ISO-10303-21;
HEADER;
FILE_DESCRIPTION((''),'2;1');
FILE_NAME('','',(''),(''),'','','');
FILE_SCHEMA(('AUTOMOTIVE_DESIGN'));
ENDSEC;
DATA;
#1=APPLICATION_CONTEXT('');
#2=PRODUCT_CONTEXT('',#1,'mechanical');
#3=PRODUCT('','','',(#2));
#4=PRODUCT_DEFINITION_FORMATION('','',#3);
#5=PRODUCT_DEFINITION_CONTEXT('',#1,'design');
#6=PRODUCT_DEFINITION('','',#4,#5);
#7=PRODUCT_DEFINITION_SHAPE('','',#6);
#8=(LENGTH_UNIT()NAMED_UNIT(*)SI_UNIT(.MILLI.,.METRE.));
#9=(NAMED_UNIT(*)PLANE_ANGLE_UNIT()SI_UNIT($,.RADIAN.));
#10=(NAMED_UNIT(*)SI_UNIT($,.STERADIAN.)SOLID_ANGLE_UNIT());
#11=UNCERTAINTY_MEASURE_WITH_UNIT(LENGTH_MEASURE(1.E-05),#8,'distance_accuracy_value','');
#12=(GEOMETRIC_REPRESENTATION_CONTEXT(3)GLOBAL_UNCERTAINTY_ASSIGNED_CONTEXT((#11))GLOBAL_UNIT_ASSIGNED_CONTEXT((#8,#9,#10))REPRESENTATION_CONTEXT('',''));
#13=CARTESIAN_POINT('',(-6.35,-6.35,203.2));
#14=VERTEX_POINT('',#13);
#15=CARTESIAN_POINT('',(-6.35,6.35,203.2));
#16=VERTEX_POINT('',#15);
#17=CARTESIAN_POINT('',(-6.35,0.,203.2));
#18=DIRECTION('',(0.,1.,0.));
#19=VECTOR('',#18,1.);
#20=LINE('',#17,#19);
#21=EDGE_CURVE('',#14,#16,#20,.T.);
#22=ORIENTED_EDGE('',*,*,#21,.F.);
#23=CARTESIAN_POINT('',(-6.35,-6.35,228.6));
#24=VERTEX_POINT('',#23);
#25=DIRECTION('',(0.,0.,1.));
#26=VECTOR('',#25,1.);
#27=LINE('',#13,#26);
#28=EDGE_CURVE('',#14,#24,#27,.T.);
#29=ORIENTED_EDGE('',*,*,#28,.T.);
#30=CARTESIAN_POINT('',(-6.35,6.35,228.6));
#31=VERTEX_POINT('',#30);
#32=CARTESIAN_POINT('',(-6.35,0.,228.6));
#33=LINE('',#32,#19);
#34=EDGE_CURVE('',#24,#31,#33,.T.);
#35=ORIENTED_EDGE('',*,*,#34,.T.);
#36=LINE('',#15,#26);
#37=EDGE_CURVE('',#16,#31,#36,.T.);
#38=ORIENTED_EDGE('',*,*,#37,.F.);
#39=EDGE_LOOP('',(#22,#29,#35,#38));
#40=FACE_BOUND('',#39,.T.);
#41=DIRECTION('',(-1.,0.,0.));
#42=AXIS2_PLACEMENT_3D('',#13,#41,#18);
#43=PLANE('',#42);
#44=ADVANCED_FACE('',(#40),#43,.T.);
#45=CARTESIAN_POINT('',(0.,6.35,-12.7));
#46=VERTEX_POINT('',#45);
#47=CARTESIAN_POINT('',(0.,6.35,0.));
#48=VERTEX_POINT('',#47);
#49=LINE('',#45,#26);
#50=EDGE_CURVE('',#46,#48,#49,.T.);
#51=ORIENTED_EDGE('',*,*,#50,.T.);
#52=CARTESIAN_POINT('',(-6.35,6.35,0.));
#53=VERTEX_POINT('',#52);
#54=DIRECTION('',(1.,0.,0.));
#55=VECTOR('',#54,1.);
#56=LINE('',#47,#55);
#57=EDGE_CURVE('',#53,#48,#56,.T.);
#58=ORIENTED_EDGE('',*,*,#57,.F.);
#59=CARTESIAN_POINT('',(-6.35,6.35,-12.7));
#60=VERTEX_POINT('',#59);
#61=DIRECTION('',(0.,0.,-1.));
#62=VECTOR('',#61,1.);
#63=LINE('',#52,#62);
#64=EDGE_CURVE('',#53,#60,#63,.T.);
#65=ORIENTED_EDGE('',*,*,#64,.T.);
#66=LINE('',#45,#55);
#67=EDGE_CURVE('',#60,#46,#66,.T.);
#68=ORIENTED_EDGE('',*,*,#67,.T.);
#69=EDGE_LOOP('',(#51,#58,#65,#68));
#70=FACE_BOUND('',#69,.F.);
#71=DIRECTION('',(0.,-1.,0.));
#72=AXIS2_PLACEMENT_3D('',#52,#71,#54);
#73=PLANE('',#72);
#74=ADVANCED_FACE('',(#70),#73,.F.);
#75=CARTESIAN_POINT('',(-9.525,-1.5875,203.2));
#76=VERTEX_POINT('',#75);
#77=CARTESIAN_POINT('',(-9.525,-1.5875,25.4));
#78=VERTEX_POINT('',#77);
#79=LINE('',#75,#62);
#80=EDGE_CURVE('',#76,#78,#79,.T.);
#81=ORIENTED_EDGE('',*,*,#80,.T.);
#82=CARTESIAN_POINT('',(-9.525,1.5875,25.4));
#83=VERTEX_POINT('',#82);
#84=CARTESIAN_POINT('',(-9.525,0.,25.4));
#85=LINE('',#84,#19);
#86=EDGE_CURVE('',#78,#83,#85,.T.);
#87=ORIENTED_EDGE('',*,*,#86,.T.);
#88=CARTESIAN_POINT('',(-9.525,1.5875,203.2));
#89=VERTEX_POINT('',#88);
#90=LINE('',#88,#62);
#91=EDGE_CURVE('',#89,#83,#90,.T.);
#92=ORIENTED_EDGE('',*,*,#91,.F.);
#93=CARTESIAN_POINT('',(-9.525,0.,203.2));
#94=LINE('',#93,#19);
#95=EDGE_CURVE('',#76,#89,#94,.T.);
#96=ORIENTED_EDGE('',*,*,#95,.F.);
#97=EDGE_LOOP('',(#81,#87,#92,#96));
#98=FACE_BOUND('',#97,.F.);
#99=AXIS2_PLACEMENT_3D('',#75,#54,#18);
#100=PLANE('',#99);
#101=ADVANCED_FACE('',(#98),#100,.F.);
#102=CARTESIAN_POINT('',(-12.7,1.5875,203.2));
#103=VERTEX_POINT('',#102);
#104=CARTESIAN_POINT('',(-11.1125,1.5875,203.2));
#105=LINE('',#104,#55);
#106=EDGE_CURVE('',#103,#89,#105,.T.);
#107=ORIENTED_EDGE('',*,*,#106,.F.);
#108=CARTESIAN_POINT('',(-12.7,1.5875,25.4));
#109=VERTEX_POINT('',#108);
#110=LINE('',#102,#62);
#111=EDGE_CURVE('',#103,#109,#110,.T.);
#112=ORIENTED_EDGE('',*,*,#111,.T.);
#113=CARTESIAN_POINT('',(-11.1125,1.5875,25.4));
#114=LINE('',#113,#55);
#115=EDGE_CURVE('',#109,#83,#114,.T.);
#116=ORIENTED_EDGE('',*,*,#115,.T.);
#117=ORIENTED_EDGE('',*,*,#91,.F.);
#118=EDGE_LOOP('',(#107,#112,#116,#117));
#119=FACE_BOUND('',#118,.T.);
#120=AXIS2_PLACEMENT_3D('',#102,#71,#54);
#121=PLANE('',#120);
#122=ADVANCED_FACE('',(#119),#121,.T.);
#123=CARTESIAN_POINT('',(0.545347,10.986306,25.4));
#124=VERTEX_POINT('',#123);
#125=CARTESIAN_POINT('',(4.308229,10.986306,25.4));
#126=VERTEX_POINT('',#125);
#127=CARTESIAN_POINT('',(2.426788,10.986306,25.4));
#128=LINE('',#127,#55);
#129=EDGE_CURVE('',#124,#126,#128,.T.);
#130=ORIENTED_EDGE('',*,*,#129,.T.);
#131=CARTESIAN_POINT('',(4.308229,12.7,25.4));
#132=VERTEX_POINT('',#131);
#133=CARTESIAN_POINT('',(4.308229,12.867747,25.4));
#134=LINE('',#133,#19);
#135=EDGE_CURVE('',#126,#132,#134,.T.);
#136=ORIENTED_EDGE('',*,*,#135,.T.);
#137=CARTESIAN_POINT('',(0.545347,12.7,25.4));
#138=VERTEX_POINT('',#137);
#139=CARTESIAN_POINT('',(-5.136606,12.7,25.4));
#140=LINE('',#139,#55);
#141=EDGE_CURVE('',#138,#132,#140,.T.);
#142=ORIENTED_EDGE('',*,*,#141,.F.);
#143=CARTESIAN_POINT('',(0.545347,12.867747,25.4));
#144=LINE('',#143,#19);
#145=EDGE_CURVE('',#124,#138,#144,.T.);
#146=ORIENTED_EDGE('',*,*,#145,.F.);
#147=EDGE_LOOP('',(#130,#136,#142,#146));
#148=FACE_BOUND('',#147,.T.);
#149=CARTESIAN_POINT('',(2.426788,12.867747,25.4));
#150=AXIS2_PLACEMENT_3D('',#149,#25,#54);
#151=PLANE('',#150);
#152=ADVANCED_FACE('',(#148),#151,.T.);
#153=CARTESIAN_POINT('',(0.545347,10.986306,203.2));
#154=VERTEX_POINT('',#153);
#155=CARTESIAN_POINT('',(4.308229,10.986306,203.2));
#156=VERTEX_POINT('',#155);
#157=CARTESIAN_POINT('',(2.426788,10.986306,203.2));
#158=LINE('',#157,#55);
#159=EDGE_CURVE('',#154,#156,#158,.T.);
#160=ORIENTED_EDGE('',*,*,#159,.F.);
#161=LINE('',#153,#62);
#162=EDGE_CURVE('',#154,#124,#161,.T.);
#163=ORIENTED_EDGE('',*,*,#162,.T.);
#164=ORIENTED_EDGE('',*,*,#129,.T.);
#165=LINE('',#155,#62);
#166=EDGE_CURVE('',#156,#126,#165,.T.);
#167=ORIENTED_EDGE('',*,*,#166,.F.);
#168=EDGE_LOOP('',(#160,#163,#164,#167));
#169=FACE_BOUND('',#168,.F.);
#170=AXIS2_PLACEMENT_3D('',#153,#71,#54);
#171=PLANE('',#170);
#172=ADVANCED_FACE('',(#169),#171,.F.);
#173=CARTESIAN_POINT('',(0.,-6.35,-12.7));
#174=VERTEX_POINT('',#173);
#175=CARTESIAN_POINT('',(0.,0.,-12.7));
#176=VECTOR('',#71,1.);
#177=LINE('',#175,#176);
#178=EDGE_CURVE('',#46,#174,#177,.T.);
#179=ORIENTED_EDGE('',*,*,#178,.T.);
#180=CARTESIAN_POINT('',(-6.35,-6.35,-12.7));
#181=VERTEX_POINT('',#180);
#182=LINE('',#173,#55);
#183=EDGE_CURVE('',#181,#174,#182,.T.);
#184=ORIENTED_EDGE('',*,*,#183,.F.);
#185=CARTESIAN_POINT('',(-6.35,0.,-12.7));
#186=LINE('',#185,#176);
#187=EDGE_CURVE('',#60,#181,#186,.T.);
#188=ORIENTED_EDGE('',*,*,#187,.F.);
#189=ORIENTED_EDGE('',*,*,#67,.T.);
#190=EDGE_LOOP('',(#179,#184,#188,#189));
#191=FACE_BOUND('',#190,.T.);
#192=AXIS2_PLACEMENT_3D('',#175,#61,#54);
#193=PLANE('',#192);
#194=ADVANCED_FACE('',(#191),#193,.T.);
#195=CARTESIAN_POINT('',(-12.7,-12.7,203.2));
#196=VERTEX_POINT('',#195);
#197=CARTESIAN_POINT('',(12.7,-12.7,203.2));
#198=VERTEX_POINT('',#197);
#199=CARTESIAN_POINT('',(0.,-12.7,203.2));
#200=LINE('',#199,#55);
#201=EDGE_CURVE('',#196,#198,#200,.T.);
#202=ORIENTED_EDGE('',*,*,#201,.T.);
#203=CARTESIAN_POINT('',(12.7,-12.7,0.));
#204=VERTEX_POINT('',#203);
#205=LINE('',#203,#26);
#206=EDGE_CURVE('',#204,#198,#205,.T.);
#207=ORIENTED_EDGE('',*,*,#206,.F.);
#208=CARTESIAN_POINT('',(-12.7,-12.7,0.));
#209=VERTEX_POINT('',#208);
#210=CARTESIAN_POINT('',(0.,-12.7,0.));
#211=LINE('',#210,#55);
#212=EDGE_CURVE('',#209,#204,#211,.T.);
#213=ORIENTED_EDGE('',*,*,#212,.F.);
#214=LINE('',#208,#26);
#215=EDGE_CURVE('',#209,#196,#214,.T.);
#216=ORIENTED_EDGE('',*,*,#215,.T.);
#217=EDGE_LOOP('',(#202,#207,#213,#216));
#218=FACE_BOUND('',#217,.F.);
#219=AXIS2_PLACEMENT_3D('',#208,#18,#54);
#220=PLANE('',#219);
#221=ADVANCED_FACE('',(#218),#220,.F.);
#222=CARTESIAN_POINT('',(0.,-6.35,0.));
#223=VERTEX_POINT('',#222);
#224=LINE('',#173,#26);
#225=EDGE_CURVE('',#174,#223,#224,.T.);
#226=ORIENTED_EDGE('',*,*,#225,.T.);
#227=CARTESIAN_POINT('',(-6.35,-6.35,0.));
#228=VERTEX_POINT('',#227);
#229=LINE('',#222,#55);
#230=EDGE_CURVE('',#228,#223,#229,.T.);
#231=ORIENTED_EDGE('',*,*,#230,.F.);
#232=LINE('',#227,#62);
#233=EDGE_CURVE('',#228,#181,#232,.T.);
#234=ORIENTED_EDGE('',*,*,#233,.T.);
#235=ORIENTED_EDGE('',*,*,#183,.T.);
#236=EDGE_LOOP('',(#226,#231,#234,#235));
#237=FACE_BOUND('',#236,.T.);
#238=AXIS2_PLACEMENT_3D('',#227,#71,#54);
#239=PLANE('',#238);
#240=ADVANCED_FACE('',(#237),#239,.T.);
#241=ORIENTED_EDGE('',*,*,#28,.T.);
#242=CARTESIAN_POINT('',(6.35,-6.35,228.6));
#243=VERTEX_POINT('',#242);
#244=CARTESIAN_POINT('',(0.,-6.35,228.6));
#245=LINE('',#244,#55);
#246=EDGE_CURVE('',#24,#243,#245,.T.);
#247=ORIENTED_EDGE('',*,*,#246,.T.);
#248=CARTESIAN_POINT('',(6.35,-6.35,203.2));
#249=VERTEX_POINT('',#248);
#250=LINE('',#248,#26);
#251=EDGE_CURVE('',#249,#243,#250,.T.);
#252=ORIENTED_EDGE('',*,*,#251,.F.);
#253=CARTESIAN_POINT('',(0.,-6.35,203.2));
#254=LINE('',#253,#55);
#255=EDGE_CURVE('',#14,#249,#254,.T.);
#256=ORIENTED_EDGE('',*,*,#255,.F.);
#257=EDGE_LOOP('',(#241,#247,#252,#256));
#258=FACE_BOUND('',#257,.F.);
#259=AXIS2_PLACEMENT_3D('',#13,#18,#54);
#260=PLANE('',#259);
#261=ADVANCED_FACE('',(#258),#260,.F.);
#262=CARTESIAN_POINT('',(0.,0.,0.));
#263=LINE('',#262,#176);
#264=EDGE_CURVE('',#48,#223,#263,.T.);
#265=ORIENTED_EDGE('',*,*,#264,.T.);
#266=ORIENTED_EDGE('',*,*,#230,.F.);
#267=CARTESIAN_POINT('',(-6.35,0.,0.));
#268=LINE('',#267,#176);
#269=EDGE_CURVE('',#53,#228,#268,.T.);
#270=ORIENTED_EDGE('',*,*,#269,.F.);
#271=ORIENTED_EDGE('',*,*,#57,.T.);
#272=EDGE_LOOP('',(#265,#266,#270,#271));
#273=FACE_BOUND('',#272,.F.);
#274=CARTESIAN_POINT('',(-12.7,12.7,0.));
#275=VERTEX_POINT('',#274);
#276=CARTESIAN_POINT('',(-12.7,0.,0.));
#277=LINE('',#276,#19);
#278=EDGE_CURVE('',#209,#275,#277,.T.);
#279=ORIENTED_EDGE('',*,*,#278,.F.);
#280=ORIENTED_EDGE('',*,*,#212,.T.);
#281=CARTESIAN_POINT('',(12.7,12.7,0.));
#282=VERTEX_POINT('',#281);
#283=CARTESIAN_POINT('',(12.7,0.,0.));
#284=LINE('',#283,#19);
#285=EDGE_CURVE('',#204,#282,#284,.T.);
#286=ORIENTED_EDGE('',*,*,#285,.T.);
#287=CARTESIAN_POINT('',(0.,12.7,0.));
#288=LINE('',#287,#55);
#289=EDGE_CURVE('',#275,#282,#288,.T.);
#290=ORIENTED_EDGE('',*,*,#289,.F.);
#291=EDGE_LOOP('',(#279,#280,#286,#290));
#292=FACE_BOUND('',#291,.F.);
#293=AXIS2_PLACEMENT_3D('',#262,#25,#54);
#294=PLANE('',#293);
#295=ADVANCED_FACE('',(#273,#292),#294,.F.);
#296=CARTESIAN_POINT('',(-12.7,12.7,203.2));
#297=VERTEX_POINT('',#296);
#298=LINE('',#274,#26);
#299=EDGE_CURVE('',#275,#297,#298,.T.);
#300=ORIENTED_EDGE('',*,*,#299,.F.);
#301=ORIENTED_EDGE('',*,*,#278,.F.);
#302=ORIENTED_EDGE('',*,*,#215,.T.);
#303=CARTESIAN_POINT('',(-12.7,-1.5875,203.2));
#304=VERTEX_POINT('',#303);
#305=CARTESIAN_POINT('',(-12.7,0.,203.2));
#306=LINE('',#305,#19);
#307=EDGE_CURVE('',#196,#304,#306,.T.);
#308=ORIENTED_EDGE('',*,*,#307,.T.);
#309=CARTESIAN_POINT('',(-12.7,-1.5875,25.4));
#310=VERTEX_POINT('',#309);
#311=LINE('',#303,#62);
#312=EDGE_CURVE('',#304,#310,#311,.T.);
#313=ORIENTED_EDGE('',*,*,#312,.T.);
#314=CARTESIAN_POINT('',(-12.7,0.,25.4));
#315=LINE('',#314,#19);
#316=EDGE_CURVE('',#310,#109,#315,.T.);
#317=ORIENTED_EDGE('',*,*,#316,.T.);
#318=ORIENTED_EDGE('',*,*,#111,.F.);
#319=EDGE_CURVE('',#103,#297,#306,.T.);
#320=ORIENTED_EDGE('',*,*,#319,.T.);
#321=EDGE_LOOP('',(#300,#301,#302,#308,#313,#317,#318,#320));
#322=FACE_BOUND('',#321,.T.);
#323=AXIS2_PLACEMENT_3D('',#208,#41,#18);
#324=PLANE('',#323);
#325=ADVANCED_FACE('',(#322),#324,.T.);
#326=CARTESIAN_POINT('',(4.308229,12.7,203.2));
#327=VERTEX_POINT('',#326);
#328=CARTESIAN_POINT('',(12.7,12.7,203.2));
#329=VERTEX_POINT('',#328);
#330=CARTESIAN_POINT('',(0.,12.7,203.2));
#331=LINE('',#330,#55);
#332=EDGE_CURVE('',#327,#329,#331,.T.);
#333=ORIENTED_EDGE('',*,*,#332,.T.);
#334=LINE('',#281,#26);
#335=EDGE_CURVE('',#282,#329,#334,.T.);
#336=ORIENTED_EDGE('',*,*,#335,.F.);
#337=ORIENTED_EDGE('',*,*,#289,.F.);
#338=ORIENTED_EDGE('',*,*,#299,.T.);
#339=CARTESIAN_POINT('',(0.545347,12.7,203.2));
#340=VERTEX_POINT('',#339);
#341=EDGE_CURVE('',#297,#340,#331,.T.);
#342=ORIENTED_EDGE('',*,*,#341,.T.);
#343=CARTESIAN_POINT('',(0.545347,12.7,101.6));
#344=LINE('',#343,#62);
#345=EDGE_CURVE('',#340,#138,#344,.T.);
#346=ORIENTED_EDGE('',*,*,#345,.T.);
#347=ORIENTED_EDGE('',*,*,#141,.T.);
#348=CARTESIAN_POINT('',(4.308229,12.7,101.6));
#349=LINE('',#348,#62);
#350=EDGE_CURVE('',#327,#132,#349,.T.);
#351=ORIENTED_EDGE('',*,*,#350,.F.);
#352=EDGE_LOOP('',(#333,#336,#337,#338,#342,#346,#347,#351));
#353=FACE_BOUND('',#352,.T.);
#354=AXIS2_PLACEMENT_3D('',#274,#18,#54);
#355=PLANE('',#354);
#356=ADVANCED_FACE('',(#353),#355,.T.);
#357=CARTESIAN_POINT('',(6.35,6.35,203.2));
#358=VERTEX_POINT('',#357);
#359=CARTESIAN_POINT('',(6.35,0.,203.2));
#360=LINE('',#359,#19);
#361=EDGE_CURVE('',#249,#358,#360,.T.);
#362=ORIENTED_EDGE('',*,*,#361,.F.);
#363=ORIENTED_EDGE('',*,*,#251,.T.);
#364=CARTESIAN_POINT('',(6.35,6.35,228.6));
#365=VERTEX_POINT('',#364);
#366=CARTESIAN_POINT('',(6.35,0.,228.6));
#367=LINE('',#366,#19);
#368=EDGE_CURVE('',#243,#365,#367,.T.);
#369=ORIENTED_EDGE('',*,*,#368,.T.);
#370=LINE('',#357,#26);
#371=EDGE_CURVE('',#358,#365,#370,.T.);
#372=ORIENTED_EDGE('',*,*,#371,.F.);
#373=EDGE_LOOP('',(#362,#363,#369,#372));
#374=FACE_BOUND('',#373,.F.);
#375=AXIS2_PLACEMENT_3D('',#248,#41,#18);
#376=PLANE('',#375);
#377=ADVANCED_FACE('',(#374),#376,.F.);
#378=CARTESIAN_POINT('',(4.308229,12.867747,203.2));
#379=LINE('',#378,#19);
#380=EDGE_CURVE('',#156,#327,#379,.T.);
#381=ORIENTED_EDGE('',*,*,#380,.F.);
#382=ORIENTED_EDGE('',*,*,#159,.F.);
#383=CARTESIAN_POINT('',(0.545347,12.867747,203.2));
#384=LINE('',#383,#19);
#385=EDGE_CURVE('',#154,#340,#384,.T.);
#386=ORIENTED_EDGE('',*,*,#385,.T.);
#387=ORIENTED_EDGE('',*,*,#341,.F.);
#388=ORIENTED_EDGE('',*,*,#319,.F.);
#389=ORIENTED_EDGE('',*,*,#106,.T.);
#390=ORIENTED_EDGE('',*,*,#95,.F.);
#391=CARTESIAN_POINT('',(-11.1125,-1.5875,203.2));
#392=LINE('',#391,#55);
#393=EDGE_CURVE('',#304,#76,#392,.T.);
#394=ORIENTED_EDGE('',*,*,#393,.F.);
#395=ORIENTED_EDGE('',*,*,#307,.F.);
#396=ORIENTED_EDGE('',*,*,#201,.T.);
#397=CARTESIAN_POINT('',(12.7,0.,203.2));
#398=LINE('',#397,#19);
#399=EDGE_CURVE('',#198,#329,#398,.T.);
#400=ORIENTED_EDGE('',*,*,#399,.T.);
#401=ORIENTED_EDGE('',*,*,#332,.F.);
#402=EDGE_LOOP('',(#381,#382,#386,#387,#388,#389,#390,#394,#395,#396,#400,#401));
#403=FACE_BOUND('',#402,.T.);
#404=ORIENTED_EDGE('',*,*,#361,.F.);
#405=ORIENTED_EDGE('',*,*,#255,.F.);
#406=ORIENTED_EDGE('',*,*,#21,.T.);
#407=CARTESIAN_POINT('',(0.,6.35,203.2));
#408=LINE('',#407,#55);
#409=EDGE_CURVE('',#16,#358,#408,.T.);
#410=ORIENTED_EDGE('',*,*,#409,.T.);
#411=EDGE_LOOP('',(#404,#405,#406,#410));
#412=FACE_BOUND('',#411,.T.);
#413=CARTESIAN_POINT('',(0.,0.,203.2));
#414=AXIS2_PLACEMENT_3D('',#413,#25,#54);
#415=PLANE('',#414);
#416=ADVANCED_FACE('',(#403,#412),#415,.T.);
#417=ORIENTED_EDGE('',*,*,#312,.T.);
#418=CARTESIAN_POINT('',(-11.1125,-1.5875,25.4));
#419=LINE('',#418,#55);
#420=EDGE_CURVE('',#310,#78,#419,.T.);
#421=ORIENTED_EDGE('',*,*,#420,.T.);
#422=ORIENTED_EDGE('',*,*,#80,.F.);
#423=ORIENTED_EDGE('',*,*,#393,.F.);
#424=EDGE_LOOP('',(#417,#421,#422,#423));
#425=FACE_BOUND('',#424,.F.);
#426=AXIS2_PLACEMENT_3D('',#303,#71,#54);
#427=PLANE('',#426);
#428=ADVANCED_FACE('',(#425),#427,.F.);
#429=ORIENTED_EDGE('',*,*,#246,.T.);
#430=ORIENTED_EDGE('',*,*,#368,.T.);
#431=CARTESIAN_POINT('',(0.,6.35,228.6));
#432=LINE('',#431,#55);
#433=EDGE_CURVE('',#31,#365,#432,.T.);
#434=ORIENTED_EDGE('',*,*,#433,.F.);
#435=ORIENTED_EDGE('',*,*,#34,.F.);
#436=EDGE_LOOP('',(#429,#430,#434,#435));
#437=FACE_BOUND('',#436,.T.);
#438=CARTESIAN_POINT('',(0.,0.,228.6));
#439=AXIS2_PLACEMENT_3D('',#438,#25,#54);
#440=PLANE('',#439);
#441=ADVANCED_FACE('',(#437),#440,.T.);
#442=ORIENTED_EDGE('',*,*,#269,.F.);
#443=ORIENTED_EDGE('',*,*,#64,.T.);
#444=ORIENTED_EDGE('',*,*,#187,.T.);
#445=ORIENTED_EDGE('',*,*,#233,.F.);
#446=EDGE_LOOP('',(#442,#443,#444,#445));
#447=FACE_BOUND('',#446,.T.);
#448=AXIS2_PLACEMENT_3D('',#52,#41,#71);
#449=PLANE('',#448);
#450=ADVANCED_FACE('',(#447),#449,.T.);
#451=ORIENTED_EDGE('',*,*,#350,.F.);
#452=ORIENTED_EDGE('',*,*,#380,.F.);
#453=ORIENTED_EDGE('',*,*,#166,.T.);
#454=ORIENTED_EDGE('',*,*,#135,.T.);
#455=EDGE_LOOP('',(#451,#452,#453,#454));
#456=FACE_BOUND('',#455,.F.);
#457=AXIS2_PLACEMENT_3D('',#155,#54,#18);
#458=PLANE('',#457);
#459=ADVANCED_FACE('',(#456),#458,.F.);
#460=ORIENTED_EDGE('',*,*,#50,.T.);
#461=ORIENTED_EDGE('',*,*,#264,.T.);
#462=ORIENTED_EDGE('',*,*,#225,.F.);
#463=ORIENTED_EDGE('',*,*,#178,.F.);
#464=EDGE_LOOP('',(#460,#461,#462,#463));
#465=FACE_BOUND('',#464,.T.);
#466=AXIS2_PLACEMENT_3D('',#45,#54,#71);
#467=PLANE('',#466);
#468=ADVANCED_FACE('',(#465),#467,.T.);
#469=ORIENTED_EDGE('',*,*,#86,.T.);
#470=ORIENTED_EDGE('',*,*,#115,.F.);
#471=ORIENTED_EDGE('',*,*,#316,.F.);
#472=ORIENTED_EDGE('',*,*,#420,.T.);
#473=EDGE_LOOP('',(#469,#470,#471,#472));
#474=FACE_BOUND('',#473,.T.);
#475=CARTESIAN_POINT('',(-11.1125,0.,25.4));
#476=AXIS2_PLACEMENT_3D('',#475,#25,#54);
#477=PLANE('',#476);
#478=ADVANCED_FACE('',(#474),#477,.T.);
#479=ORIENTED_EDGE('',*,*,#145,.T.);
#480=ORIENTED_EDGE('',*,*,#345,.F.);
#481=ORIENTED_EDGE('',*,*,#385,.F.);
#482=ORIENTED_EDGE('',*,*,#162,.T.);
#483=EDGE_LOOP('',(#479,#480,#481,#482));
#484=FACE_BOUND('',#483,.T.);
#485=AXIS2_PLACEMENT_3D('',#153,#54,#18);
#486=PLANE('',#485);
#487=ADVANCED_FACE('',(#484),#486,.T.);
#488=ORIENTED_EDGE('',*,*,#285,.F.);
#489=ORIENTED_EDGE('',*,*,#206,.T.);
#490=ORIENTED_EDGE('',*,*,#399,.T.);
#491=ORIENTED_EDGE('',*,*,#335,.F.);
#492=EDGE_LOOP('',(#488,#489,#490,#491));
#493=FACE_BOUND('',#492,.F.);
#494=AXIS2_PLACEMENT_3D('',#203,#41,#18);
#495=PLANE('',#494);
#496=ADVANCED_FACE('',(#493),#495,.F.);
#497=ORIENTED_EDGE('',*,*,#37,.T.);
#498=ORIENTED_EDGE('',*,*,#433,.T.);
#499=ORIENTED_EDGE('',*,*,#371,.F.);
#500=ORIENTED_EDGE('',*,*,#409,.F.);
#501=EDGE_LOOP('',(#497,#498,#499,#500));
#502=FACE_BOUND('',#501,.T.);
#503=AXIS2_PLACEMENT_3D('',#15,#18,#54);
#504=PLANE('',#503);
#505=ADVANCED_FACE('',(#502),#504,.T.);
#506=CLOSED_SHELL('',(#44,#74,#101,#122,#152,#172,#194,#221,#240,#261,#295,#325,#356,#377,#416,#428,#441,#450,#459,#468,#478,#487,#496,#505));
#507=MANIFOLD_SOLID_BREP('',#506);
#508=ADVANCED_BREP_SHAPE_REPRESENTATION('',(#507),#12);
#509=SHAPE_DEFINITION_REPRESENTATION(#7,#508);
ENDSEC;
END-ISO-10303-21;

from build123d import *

# Parameters (mm, degrees)
F0_W     = 25.4
F0_H     = 25.4
F1_DEPTH = 203.2
F2_W     = 12.7
F2_H     = 12.7
F3_DEPTH = 12.7
F4_W     = 6.35
F4_H     = 12.7
F5_DEPTH = 12.7
F6_W     = 3.762882
F6_H     = 3.762882
F6_W_2   = 3.175
F6_H_2   = 3.175
F7_DEPTH = 177.8
F8_W     = 12.7
F8_H     = 12.7
F9_DEPTH = 25.4


with BuildPart() as f1:
    # F0 (on Top) → F1 (new body)
    with BuildSketch(Plane.XY):
        Rectangle(F0_W, F0_H)
    extrude(amount=F1_DEPTH)

    # F2 (on face) → F3 (join)
    with BuildSketch(Plane(origin=(0, 0, 0), x_dir=(1, 0, 0), z_dir=(0, 0, -1))):
        Rectangle(F2_W, F2_H)
    extrude(amount=F3_DEPTH)

    # F4 (on face) → F5 (cut)
    with BuildSketch(Plane(origin=(0, 0, -12.7), x_dir=(1, 0, 0), z_dir=(0, 0, -1))):
        with Locations((3.175, 0)):
            Rectangle(F4_W, F4_H)
    extrude(amount=-F5_DEPTH, mode=Mode.SUBTRACT)

    # F6 (on face) → F7 (cut)
    with BuildSketch(Plane.XY.offset(203.2)):
        with Locations((2.426788, 12.867747)):
            Rectangle(F6_W, F6_H)
        with Locations((-11.1125, 0)):
            Rectangle(F6_W_2, F6_H_2)
    extrude(amount=-F7_DEPTH, mode=Mode.SUBTRACT)

    # F8 (on face) → F9 (join)
    with BuildSketch(Plane.XY.offset(203.2)):
        Rectangle(F8_W, F8_H)
    extrude(amount=F9_DEPTH)


solid = f1.part
